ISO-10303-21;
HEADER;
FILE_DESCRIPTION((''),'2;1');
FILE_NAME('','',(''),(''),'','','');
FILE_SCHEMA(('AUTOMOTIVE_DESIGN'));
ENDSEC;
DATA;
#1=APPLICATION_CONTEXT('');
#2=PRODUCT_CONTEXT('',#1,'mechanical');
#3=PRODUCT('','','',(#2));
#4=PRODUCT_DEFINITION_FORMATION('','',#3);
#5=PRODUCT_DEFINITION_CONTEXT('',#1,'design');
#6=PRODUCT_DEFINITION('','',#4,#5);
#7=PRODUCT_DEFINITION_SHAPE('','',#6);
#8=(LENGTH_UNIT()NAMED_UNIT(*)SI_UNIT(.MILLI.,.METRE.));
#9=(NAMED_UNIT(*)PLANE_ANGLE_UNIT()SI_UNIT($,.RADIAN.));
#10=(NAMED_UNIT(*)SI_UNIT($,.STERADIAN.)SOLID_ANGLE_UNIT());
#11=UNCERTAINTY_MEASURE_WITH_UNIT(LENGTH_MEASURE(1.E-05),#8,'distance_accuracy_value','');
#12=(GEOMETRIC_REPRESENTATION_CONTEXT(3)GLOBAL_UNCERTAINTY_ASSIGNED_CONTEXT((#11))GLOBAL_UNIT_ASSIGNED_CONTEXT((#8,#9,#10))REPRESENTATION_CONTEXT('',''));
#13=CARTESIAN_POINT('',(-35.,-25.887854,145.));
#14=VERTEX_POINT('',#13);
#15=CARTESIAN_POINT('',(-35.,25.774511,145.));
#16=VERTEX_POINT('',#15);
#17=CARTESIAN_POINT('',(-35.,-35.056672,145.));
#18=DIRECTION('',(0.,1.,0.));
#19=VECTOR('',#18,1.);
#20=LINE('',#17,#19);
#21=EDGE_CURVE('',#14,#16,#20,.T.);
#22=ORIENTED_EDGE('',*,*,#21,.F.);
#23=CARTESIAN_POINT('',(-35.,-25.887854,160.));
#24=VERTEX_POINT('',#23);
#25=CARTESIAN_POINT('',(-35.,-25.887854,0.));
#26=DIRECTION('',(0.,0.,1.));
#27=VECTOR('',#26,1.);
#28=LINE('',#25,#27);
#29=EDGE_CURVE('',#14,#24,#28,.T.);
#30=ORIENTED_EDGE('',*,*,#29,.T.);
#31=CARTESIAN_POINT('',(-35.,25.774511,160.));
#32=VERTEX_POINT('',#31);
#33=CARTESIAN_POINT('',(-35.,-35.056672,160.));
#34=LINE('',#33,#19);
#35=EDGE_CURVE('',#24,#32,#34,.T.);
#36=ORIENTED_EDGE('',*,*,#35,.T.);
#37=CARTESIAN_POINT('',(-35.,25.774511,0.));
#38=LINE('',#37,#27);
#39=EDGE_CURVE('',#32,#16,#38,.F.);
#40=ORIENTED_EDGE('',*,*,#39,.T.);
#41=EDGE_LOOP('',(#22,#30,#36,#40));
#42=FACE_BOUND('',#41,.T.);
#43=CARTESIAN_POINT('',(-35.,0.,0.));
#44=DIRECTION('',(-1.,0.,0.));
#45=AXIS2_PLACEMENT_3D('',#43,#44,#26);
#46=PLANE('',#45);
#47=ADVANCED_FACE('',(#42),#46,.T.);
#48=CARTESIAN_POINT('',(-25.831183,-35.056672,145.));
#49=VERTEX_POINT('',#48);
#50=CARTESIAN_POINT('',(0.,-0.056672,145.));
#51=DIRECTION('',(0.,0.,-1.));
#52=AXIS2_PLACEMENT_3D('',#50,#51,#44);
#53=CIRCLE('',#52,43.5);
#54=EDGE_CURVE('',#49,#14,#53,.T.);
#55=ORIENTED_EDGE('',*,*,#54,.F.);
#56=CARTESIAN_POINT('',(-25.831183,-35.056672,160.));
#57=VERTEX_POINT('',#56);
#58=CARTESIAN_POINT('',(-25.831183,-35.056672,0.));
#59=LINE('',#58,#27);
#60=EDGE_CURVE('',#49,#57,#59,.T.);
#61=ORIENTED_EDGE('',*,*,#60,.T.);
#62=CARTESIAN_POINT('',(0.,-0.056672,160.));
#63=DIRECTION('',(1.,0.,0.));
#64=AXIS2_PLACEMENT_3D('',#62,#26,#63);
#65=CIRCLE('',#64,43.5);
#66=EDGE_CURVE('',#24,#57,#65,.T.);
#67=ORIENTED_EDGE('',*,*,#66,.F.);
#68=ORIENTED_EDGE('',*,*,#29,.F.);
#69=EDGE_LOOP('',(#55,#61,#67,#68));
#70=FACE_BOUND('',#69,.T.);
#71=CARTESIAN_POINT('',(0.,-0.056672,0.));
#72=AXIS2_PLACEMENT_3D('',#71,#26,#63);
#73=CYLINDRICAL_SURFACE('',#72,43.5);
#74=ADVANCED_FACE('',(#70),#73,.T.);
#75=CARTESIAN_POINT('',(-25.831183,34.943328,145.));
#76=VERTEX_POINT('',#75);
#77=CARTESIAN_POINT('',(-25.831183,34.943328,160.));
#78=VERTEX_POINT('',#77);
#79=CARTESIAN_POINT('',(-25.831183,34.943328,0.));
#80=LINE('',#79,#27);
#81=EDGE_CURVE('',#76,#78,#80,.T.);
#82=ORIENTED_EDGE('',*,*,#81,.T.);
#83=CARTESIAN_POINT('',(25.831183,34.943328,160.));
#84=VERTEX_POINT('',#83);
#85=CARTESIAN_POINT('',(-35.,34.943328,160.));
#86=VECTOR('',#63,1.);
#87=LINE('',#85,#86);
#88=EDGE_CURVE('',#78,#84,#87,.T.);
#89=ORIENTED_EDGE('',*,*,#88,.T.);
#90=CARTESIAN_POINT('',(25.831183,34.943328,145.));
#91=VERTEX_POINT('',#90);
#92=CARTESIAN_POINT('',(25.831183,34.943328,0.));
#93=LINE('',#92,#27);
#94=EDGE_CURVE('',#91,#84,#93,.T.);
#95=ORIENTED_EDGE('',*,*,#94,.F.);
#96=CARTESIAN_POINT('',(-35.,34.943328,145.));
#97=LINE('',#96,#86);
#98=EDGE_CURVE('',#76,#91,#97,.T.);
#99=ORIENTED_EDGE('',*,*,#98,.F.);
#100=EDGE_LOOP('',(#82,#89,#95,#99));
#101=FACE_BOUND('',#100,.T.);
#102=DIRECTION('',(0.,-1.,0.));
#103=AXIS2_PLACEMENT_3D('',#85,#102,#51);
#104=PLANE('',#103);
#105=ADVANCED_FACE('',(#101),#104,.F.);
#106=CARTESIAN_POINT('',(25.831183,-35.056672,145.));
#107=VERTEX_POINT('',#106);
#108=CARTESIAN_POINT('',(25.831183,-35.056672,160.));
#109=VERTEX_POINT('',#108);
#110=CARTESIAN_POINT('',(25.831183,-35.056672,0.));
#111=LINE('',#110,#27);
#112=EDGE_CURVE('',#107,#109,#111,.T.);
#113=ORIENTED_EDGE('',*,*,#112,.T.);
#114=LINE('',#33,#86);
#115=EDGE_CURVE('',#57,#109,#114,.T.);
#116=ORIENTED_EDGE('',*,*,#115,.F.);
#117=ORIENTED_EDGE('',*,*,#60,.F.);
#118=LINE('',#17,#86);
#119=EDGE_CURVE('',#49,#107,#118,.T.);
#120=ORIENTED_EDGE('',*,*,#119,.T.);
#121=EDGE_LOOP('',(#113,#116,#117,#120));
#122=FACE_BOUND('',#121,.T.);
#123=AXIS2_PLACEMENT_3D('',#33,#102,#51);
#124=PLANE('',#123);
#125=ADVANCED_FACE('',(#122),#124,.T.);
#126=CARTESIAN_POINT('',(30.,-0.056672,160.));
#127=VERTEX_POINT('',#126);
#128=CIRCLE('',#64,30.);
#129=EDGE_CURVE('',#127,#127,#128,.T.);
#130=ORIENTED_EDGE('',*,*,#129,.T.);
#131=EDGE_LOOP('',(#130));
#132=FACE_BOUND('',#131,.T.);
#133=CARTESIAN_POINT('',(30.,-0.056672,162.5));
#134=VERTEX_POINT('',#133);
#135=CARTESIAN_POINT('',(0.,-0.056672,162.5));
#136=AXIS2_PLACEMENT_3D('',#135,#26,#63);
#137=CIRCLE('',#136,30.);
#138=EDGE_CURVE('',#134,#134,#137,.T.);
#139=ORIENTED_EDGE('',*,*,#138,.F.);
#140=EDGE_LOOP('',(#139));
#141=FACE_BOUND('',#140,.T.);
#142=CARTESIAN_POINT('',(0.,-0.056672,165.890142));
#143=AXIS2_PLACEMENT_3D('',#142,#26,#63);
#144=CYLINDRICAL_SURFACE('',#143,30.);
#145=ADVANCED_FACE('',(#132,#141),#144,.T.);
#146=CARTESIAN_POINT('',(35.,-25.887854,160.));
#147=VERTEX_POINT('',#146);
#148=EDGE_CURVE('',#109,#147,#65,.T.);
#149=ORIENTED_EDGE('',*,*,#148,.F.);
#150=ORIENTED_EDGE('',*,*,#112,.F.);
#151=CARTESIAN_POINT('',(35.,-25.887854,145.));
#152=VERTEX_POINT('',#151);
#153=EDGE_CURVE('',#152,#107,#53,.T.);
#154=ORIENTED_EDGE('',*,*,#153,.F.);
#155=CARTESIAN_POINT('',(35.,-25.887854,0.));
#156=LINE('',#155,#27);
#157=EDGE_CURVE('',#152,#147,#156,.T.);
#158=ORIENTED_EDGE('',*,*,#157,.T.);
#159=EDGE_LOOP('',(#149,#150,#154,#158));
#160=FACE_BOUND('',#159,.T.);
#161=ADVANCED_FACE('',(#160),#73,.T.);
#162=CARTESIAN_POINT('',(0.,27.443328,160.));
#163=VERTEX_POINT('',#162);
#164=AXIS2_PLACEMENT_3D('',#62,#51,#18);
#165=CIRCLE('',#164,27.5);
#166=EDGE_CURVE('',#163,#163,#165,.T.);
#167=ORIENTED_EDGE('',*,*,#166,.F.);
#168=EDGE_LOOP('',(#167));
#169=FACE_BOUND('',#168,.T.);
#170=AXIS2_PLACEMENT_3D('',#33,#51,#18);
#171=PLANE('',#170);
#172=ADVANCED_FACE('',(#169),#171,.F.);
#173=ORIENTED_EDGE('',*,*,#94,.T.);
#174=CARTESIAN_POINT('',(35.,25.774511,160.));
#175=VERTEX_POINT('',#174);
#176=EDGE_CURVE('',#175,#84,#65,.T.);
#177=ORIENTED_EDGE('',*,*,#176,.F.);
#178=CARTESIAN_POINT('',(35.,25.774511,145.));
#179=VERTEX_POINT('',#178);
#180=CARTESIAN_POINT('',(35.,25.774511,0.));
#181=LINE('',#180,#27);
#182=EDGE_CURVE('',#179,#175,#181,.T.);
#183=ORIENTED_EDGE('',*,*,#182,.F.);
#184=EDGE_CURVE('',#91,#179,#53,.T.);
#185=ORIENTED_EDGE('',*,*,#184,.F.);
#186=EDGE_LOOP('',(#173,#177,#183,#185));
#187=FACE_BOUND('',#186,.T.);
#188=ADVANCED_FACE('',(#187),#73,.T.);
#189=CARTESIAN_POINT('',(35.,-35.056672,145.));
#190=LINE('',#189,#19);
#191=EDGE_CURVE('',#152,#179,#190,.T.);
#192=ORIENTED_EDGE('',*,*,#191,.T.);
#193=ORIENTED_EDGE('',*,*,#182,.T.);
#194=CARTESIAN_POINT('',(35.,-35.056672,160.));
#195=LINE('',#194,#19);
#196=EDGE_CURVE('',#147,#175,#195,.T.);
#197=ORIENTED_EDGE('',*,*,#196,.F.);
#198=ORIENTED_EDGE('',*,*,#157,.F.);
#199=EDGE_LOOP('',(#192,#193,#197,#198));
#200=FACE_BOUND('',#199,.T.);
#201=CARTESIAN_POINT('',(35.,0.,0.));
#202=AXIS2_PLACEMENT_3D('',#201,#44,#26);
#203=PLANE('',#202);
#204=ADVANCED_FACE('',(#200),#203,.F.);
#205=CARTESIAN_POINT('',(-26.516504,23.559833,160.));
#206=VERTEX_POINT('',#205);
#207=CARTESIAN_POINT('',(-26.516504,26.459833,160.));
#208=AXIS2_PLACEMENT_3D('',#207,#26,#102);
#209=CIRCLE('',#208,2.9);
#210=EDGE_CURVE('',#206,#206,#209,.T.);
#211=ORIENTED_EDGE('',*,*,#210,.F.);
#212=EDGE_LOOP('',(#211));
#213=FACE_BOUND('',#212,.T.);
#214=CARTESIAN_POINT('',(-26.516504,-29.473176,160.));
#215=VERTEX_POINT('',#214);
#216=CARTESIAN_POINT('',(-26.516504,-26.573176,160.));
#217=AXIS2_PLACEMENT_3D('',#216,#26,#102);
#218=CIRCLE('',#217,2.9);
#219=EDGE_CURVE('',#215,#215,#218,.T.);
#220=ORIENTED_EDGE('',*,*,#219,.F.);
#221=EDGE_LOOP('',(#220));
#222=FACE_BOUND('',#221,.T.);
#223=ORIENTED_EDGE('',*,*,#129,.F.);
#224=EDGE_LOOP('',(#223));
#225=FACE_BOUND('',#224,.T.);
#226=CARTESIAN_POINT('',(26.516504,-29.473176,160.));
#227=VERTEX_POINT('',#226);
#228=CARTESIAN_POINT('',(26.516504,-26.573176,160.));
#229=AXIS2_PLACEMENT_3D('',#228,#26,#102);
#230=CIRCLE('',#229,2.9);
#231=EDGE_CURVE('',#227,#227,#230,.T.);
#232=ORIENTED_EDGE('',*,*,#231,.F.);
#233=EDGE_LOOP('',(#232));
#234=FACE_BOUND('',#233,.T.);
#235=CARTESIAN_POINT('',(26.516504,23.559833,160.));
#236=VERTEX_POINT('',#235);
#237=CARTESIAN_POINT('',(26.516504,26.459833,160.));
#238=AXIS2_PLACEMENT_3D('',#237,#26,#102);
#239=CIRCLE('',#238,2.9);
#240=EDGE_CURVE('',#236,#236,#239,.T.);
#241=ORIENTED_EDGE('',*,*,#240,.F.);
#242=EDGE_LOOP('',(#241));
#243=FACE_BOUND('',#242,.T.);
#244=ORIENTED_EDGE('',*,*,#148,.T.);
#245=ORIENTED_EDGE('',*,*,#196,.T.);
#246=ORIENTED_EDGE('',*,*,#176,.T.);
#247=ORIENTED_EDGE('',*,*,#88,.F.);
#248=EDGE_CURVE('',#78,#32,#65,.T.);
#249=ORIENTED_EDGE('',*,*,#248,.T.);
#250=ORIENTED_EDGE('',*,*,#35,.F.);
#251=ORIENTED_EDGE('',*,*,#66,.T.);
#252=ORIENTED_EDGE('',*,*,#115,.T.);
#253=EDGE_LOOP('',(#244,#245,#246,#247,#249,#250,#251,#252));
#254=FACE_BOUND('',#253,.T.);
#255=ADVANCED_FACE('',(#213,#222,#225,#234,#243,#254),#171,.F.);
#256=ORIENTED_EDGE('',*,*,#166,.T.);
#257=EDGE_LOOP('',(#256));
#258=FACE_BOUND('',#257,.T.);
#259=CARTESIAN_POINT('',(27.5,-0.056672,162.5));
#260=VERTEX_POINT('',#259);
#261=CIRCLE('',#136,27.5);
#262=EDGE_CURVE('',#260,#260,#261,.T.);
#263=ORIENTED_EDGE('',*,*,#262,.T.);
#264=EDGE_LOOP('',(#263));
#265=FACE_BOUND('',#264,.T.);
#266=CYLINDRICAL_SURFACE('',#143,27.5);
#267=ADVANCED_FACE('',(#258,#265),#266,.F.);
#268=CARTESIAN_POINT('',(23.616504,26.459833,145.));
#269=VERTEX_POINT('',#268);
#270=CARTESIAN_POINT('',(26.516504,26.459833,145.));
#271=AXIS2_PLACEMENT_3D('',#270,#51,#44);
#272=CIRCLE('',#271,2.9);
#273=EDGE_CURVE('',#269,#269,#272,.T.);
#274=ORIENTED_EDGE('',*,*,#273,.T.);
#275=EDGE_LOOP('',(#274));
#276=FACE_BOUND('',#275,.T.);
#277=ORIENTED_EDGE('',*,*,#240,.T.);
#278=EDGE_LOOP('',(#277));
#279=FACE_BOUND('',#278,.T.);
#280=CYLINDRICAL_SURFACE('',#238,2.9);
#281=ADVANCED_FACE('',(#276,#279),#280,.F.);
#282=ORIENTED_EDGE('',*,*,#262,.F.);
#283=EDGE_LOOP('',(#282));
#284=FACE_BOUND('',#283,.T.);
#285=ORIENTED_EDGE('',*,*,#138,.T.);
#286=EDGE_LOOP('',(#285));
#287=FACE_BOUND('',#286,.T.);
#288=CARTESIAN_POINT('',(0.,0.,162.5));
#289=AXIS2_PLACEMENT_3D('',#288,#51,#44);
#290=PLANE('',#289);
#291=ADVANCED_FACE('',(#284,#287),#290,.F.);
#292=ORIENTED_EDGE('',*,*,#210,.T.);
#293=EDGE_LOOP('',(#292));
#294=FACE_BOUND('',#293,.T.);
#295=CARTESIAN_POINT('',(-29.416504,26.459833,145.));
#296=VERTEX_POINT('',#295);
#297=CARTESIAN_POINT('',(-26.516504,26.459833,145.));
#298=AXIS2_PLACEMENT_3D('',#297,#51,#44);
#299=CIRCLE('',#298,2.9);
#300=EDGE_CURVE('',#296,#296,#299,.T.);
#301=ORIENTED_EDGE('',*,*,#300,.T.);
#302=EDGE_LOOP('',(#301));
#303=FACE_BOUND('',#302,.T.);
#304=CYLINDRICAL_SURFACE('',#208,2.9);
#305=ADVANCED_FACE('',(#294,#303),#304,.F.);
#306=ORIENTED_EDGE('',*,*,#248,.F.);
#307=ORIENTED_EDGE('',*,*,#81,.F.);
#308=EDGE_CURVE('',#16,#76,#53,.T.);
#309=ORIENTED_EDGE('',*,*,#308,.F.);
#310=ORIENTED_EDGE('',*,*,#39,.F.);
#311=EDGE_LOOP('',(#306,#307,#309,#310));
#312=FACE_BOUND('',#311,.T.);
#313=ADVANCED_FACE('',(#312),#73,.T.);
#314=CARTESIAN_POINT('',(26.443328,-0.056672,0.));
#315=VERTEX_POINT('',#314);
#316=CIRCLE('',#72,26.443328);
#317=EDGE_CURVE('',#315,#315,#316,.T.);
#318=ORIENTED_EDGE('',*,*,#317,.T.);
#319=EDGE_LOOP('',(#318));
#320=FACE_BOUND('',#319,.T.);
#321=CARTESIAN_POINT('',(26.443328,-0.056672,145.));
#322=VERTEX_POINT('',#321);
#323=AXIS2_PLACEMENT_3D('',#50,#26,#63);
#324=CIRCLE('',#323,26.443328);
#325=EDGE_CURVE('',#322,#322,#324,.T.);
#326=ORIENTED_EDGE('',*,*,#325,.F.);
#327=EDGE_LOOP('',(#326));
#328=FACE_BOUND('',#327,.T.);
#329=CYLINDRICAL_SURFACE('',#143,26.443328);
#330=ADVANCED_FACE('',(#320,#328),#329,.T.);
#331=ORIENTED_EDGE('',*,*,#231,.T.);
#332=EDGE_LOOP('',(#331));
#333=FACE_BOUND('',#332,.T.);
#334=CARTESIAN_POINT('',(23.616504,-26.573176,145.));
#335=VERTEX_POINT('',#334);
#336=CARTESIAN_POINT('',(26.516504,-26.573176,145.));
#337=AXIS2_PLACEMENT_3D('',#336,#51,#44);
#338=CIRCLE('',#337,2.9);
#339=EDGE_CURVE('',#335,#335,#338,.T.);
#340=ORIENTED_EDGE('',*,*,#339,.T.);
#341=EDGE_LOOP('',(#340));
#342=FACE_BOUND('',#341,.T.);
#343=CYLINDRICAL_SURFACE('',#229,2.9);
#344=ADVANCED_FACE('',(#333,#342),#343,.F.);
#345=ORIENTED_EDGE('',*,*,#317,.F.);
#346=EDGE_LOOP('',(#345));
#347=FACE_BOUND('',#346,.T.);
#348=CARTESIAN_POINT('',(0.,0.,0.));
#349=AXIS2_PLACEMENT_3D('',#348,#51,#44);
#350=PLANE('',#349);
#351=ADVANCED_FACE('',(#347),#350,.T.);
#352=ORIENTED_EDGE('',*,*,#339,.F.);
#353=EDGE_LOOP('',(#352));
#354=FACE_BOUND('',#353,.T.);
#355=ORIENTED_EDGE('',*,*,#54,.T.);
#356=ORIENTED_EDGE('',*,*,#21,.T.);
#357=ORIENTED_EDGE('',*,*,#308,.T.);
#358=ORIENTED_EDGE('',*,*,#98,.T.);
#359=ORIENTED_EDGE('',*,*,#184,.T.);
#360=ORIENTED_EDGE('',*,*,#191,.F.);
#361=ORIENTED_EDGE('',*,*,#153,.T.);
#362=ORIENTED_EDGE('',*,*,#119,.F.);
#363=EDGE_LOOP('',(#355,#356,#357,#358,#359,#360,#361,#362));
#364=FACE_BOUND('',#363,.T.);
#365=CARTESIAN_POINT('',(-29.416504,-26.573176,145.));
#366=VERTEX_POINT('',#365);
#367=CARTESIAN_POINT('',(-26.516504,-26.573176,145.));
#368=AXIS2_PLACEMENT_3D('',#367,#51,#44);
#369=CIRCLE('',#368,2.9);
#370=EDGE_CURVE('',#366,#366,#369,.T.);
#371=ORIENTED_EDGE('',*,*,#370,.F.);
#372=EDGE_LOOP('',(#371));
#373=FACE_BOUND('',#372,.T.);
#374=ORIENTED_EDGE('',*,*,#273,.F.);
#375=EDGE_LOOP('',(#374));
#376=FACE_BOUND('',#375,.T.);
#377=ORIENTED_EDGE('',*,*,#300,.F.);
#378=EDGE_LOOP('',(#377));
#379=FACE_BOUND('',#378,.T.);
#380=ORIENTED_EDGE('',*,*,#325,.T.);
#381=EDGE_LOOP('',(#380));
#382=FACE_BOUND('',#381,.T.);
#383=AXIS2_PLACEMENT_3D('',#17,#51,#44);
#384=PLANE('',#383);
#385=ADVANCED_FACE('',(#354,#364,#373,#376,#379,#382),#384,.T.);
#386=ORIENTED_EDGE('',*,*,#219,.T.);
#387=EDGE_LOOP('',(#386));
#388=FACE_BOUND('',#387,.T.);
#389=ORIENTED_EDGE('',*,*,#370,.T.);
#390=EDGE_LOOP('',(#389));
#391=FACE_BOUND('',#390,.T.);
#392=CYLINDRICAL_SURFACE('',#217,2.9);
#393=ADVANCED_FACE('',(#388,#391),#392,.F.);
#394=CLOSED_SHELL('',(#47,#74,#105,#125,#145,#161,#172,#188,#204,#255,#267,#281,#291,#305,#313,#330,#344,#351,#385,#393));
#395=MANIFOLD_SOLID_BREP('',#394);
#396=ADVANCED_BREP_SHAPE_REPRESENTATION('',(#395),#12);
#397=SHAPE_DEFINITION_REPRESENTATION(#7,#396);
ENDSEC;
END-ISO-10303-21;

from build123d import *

# Parameters (mm, degrees)
SKETCH_2_W              = 2.5
SKETCH_2_H              = 2.5
SKETCH_2_W_2            = 145
SKETCH_2_H_2            = 26.443328262
EXTRUDE_1_DEPTH         = 35
EXTRUDE_1_DEPTH_BACK    = 35
SKETCH_2_4_W            = 15
SKETCH_2_4_H            = 70
CUT_EXTRUDE_1_DEPTH     = 168.493194588
HOLE_WIZARD_5_8_5_8_1_D = 5.8


with BuildPart() as part:
    # Эскиз2 → Повернуть2 (revolve)
    with BuildSketch(Plane(origin=(0, 0, 0), x_dir=(0, 0, -1), z_dir=(1, 0, 0))):
        with Locations((-161.25, -28.806671738)):
            Rectangle(SKETCH_2_W, SKETCH_2_H)
        with Locations((-72.5, -13.278335869)):
            Rectangle(SKETCH_2_W_2, SKETCH_2_H_2)
    revolve(axis=Axis((0, -0.056671738, 165.890142235), (0, 0, -1)))

    # Эскиз2<4> → Бобышка-Вытянуть1 (add, two sides: drawn at the far end of the back side and taken through both)
    with BuildSketch(Plane(origin=(0, 0, 0), x_dir=(0, 0, -1), z_dir=(1, 0, 0)).offset(-EXTRUDE_1_DEPTH_BACK)):
        with Locations((-152.5, -0.056671738)):
            Rectangle(SKETCH_2_4_W, SKETCH_2_4_H)
    extrude(amount=EXTRUDE_1_DEPTH + EXTRUDE_1_DEPTH_BACK)

    # Эскиз4 → Вырез-Вытянуть1 (cut, through all)
    with BuildSketch(Plane.XY.offset(160)):
        with BuildLine():
            ThreePointArc((35, -25.887854444), (30.759144982, -30.815816719), (25.831182706, -35.056671738))
            Line((25.831182706, -35.056671738), (35, -35.056671738))
            Line((35, -35.056671738), (35, -25.887854444))
        make_face()
        with BuildLine():
            Line((-35, -35.056671738), (-25.831182706, -35.056671738))
            ThreePointArc((-25.831182706, -35.056671738), (-30.759144982, -30.815816719), (-35, -25.887854444))
            Line((-35, -25.887854444), (-35, -35.056671738))
        make_face()
        with BuildLine():
            ThreePointArc((25.831182706, 34.943328262), (30.759144982, 30.702473244), (35, 25.774510968))
            Line((35, 25.774510968), (35, 34.943328262))
            Line((35, 34.943328262), (25.831182706, 34.943328262))
        make_face()
        with BuildLine():
            ThreePointArc((-35, 25.774510968), (-30.759144982, 30.702473244), (-25.831182706, 34.943328262))
            Line((-25.831182706, 34.943328262), (-35, 34.943328262))
            Line((-35, 34.943328262), (-35, 25.774510968))
        make_face()
    extrude(amount=-CUT_EXTRUDE_1_DEPTH, mode=Mode.SUBTRACT)

    # Диаметр отверстия Ø5.8 (5.8)1 (through all)
    with Locations(Plane(origin=(-26.516504294, -26.573176032, 160), x_dir=(0, 1, 0), z_dir=(0, 0, 1))):
        with Locations((0, 0), (0, -53.033008588), (53.033008589, -53.033008588), (53.033008589, 0)):
            Hole(HOLE_WIZARD_5_8_5_8_1_D / 2)


solid = part.part
